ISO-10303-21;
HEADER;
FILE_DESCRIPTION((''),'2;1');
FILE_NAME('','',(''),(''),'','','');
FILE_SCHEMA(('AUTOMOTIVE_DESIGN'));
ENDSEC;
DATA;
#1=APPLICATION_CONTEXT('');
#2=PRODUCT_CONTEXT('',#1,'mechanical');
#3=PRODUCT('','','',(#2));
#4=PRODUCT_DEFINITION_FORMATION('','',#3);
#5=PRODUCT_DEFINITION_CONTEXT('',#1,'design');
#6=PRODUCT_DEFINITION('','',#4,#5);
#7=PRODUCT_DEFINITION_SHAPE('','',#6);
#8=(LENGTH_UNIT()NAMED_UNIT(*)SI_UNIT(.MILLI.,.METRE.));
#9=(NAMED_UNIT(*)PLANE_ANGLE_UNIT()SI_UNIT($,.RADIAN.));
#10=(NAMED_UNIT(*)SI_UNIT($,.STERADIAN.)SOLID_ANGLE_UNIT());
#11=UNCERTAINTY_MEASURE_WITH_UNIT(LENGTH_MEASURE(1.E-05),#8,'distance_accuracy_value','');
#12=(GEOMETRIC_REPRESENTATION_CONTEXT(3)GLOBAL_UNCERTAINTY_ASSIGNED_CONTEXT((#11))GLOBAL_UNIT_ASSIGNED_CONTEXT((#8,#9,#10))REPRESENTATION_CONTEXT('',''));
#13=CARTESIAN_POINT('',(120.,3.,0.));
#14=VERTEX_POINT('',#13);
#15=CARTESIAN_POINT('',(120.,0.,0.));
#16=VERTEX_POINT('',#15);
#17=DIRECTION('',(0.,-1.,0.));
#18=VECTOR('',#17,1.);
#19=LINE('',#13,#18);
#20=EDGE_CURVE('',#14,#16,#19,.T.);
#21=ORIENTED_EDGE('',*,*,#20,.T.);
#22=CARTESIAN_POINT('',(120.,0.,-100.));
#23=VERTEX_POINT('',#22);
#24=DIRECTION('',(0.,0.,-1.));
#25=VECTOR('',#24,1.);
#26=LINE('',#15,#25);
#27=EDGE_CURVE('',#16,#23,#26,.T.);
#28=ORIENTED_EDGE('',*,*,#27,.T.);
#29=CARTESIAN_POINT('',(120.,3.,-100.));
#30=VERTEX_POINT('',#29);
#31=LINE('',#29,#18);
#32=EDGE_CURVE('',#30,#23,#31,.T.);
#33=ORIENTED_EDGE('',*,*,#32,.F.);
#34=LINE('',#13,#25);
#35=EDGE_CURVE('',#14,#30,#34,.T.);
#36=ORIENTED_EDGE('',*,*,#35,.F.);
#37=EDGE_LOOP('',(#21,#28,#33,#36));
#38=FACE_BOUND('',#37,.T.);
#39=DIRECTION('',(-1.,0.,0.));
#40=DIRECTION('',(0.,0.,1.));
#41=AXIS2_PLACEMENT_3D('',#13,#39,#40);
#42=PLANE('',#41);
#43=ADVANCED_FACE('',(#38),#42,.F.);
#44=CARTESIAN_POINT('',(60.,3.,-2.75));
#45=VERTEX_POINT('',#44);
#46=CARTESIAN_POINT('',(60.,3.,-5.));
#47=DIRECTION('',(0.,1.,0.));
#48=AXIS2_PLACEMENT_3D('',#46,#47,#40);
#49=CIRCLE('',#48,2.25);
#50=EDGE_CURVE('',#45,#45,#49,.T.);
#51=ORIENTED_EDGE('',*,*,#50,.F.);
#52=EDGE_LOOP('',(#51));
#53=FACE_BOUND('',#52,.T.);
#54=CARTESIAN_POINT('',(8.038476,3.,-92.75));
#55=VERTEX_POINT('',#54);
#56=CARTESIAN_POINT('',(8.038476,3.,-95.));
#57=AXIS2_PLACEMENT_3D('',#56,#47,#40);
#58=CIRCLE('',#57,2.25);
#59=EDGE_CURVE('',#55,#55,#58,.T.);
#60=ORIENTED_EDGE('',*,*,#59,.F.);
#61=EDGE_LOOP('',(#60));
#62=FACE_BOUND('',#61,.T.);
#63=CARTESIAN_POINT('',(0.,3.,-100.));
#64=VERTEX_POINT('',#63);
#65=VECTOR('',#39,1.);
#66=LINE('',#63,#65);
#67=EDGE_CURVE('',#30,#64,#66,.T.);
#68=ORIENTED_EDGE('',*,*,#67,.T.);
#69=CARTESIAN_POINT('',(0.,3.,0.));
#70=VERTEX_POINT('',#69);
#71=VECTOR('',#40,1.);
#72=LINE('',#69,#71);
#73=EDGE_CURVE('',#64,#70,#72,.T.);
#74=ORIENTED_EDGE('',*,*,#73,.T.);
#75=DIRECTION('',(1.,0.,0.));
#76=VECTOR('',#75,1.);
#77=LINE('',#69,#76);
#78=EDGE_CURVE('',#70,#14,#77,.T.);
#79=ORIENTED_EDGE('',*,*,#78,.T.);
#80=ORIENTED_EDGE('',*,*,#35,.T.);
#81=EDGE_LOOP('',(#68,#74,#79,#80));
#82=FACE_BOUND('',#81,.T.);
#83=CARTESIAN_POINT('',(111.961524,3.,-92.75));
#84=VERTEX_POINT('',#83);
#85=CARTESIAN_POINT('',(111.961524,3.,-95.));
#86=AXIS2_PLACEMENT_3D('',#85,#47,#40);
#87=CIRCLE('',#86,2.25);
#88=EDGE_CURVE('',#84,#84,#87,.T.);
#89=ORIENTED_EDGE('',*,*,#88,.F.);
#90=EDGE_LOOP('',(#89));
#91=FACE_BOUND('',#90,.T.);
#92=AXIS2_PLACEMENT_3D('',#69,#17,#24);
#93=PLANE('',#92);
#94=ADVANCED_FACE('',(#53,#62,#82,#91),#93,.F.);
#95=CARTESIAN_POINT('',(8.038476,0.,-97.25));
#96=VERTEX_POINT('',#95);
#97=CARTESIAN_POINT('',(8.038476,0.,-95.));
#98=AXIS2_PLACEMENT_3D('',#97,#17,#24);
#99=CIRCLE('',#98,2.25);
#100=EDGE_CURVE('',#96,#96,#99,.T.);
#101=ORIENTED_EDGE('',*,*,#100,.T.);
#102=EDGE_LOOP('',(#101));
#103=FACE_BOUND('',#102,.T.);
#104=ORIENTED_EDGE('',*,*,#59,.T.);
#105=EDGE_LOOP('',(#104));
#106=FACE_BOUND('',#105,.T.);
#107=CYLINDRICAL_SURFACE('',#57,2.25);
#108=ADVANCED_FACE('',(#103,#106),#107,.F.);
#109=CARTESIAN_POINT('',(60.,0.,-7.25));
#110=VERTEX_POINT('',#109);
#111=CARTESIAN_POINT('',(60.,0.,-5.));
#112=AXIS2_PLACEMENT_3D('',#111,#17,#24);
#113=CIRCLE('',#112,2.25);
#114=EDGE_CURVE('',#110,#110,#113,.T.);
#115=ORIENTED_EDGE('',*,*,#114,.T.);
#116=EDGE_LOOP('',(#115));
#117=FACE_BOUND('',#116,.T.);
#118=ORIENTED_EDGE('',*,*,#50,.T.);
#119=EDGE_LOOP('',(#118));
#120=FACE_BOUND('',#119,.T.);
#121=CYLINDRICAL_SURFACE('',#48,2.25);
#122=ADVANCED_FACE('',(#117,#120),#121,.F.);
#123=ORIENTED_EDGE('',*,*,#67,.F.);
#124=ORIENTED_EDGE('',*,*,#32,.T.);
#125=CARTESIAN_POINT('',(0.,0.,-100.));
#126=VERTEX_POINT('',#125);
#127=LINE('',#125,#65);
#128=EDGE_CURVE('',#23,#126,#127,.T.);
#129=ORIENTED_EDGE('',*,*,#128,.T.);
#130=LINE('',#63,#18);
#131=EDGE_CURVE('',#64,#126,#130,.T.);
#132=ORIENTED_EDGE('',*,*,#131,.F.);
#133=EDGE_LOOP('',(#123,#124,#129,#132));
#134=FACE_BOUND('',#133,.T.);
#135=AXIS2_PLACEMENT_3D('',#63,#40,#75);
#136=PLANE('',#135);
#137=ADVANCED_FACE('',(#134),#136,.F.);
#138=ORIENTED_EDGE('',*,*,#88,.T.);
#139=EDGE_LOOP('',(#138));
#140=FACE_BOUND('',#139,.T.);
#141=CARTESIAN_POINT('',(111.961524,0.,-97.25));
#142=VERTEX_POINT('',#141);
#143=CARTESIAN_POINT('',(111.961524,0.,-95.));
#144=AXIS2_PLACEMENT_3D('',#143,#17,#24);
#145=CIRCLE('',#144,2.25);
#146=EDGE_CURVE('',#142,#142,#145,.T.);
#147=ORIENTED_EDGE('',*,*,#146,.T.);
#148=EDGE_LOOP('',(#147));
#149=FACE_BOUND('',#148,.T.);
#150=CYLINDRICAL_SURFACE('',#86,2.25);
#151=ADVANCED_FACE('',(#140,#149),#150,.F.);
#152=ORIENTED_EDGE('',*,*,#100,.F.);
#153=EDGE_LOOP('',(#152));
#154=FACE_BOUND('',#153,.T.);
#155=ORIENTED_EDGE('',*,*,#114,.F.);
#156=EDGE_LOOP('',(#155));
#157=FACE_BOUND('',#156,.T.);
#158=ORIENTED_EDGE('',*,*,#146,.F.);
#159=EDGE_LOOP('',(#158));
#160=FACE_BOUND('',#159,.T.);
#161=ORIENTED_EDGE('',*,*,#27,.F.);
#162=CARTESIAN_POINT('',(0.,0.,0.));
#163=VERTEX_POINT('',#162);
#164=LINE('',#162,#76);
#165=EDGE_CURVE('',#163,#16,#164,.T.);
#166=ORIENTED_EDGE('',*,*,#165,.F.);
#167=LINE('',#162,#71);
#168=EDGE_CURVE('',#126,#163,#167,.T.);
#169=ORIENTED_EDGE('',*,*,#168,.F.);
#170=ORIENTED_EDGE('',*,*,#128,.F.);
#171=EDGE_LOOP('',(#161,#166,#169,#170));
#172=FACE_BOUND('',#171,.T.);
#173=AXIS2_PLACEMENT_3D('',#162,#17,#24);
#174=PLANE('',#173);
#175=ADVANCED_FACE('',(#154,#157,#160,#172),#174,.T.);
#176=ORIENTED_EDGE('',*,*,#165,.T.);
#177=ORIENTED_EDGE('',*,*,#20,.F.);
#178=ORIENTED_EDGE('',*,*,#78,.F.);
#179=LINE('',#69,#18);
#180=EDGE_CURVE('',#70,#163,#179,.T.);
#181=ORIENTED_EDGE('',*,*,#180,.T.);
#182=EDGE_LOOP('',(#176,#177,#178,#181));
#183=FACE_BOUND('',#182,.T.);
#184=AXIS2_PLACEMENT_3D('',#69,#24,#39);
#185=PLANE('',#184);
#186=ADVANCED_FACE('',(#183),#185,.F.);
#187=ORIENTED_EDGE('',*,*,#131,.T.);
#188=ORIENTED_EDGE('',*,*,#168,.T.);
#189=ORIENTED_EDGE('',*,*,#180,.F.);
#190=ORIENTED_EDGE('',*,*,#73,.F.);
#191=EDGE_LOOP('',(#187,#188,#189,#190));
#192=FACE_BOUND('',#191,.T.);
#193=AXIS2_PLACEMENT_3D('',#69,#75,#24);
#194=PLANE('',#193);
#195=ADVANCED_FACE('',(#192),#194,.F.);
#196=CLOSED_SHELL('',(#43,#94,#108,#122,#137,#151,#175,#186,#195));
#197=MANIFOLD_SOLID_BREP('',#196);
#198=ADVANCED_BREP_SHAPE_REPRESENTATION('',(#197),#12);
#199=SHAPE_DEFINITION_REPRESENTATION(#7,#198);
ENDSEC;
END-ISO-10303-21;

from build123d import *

# Parameters (mm, degrees)
SKETCH_1_W             = 120
SKETCH_1_H             = 100
EXTRUDE_1_DEPTH        = 3
HOLE_WIZARD_M4_1_D     = 4.5
HOLE_WIZARD_M4_1_DEPTH = 20
HOLE_WIZARD_M4_1_TIP   = 1.351936393


with BuildPart() as part:
    # 스케치1 → 보스-돌출1 (new body)
    with BuildSketch(Plane(origin=(0, 0, 0), x_dir=(1, 0, 0), z_dir=(0, 1, 0))):
        with Locations((60, 50)):
            Rectangle(SKETCH_1_W, SKETCH_1_H)
    extrude(amount=EXTRUDE_1_DEPTH)

    # M4 여유 구멍1
    with Locations(Plane(origin=(0, 3, 0), x_dir=(1, 0, 0), z_dir=(0, 1, 0))):
        with Locations((8.038475773, 95), (111.961524227, 95), (60, 5)):
            Hole(HOLE_WIZARD_M4_1_D / 2, depth=HOLE_WIZARD_M4_1_DEPTH)
            with Locations((0, 0, -(HOLE_WIZARD_M4_1_DEPTH + HOLE_WIZARD_M4_1_TIP / 2))):  # 118° drill point
                Cone(0, HOLE_WIZARD_M4_1_D / 2, HOLE_WIZARD_M4_1_TIP, mode=Mode.SUBTRACT)


solid = part.part
